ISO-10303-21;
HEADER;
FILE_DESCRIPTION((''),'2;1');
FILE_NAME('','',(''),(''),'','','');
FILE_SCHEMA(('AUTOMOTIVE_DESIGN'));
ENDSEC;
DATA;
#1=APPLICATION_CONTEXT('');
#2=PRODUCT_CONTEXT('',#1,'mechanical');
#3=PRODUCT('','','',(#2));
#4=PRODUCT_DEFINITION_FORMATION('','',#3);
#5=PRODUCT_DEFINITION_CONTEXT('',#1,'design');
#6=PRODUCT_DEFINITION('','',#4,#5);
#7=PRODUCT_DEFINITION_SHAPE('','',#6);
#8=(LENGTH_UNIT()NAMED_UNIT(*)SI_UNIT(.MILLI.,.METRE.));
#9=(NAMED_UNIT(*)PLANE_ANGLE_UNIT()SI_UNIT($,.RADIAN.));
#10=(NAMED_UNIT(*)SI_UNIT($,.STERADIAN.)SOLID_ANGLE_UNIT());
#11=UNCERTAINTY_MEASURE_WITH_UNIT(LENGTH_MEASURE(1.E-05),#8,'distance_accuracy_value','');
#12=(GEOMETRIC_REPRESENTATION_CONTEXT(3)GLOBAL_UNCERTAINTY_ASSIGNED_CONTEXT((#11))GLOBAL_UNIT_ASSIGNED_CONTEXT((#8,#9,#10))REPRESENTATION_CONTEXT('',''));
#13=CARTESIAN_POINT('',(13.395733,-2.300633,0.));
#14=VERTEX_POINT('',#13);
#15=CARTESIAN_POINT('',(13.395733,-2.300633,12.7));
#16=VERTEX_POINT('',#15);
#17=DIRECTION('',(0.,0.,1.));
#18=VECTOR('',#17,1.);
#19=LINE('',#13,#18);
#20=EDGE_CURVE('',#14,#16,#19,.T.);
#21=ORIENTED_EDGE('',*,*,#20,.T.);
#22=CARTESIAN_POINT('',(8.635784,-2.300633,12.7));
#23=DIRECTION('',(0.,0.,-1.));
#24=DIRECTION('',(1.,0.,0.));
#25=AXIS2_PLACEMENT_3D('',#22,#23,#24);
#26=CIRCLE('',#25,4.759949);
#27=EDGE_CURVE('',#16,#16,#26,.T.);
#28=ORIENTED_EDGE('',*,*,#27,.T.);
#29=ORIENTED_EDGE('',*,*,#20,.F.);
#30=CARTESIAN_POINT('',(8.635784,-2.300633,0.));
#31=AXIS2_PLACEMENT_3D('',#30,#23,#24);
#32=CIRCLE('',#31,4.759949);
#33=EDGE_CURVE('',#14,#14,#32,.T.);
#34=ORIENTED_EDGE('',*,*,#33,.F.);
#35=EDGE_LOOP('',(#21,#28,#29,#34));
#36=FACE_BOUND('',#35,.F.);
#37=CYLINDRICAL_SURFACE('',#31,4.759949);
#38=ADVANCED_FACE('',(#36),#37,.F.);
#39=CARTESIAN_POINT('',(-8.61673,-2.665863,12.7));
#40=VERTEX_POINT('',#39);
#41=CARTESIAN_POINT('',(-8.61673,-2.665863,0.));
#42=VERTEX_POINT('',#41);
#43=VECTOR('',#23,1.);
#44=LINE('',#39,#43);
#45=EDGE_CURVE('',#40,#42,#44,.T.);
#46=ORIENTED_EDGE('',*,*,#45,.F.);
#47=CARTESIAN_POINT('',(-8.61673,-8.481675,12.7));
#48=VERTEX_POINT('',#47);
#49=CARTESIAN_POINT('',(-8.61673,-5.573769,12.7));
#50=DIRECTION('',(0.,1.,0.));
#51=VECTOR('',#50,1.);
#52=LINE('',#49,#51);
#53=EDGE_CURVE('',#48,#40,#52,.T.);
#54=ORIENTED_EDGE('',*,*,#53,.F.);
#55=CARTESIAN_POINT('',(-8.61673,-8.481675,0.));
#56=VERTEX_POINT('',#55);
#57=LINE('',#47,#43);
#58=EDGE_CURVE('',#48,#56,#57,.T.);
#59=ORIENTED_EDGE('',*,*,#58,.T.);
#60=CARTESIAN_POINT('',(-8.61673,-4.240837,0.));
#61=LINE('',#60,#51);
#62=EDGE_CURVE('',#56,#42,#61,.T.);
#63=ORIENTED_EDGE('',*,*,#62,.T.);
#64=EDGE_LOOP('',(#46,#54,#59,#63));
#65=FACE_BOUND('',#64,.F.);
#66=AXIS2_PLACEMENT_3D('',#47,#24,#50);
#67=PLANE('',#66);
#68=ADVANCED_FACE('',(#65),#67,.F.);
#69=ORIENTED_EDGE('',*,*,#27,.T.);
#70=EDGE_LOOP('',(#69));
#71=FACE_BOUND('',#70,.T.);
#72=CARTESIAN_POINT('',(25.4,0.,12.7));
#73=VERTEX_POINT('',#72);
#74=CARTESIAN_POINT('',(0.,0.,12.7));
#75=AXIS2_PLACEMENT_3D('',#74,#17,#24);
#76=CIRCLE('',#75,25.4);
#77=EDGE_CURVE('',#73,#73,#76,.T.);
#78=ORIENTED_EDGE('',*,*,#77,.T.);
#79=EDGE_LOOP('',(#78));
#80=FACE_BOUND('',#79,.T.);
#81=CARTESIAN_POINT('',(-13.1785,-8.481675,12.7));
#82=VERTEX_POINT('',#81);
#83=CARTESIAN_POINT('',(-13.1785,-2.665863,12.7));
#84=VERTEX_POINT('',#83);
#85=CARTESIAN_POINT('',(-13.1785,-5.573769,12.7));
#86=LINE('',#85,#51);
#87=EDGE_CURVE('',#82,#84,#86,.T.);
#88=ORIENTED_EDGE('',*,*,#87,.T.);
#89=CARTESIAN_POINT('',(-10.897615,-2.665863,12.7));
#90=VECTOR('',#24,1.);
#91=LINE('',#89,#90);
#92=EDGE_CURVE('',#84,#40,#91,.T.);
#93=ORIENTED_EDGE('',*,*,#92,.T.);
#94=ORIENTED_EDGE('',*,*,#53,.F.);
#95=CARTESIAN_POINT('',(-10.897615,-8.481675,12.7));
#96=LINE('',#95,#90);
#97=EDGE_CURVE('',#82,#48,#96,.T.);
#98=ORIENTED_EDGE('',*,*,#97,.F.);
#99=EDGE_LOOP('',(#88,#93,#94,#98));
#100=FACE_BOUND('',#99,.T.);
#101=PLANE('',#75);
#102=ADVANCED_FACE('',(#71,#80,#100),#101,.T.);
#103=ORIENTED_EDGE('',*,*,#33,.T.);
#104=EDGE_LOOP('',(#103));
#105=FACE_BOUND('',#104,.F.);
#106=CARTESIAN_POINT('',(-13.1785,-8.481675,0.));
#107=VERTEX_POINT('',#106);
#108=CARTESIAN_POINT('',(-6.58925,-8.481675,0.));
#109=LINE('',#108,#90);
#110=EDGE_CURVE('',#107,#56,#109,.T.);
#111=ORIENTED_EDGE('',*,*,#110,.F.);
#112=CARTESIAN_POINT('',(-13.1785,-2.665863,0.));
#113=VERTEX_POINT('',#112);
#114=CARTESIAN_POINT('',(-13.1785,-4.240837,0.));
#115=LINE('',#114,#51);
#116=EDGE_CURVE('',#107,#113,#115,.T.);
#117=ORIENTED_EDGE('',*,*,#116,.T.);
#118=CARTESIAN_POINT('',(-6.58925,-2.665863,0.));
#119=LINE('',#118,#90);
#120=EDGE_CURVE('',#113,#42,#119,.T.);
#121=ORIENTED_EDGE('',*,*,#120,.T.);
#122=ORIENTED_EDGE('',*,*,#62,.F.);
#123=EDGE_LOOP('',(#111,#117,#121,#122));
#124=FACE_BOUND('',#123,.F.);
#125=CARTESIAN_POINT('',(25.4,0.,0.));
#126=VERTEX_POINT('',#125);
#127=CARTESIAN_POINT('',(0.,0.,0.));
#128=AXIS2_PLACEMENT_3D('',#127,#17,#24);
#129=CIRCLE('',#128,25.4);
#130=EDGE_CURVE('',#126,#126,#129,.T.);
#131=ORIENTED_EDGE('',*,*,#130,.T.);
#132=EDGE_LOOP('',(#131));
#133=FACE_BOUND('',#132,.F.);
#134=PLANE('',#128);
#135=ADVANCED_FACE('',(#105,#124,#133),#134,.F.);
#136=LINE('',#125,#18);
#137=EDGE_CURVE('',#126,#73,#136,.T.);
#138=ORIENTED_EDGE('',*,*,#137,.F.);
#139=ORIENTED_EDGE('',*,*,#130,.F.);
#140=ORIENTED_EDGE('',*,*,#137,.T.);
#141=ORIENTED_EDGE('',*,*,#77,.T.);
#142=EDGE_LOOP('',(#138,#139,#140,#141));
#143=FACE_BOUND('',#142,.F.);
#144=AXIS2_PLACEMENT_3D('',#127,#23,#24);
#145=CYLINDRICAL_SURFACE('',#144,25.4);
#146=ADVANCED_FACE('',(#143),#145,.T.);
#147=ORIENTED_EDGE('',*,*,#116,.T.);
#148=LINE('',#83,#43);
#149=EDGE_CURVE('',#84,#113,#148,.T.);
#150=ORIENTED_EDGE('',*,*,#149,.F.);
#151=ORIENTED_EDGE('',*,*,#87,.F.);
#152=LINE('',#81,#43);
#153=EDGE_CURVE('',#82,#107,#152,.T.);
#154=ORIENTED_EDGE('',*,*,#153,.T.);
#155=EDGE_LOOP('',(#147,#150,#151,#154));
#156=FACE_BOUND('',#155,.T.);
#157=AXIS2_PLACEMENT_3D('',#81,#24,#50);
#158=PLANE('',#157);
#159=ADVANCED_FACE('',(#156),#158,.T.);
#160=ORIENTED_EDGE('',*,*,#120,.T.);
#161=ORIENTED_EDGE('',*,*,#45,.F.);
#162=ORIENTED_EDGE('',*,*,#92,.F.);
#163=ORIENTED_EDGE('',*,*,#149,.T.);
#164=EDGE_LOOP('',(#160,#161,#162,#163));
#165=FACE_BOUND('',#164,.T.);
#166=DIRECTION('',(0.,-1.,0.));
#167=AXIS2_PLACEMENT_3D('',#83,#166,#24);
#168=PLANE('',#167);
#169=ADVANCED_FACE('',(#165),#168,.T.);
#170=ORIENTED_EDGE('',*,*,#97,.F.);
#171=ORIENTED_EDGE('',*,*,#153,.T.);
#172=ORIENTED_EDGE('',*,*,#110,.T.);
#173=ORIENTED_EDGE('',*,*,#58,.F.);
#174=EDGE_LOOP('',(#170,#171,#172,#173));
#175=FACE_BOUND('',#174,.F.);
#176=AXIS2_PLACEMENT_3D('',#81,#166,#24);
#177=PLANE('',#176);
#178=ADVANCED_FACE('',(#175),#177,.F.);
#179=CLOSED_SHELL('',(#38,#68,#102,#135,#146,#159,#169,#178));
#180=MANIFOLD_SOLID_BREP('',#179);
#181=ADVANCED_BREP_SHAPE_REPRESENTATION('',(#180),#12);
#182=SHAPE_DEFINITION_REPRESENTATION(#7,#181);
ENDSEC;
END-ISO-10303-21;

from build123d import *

# Parameters (mm, degrees)
F0_R     = 25.4
F1_DEPTH = 12.7
F2_W     = 4.56177
F2_H     = 5.815812
F3_DEPTH = 12.701
F4_R     = 4.759949
F5_DEPTH = 12.701


with BuildPart() as f1:
    # F0 (on Top) → F1 (new body)
    with BuildSketch(Plane.XY):
        Circle(F0_R)
    extrude(amount=F1_DEPTH)

    # F2 (on face) → F3 (cut, through all)
    with BuildSketch(Plane.XY.offset(12.7)):
        with Locations((-10.897615, -5.573769)):
            Rectangle(F2_W, F2_H)
    extrude(amount=-F3_DEPTH, mode=Mode.SUBTRACT)

    # F4 (on face) → F5 (cut, through all)
    with BuildSketch(Plane(origin=(0, 0, 0), x_dir=(1, 0, 0), z_dir=(0, 0, -1))):
        with Locations((8.635784, 2.300633)):
            Circle(F4_R)
    extrude(amount=-F5_DEPTH, mode=Mode.SUBTRACT)


solid = f1.part
